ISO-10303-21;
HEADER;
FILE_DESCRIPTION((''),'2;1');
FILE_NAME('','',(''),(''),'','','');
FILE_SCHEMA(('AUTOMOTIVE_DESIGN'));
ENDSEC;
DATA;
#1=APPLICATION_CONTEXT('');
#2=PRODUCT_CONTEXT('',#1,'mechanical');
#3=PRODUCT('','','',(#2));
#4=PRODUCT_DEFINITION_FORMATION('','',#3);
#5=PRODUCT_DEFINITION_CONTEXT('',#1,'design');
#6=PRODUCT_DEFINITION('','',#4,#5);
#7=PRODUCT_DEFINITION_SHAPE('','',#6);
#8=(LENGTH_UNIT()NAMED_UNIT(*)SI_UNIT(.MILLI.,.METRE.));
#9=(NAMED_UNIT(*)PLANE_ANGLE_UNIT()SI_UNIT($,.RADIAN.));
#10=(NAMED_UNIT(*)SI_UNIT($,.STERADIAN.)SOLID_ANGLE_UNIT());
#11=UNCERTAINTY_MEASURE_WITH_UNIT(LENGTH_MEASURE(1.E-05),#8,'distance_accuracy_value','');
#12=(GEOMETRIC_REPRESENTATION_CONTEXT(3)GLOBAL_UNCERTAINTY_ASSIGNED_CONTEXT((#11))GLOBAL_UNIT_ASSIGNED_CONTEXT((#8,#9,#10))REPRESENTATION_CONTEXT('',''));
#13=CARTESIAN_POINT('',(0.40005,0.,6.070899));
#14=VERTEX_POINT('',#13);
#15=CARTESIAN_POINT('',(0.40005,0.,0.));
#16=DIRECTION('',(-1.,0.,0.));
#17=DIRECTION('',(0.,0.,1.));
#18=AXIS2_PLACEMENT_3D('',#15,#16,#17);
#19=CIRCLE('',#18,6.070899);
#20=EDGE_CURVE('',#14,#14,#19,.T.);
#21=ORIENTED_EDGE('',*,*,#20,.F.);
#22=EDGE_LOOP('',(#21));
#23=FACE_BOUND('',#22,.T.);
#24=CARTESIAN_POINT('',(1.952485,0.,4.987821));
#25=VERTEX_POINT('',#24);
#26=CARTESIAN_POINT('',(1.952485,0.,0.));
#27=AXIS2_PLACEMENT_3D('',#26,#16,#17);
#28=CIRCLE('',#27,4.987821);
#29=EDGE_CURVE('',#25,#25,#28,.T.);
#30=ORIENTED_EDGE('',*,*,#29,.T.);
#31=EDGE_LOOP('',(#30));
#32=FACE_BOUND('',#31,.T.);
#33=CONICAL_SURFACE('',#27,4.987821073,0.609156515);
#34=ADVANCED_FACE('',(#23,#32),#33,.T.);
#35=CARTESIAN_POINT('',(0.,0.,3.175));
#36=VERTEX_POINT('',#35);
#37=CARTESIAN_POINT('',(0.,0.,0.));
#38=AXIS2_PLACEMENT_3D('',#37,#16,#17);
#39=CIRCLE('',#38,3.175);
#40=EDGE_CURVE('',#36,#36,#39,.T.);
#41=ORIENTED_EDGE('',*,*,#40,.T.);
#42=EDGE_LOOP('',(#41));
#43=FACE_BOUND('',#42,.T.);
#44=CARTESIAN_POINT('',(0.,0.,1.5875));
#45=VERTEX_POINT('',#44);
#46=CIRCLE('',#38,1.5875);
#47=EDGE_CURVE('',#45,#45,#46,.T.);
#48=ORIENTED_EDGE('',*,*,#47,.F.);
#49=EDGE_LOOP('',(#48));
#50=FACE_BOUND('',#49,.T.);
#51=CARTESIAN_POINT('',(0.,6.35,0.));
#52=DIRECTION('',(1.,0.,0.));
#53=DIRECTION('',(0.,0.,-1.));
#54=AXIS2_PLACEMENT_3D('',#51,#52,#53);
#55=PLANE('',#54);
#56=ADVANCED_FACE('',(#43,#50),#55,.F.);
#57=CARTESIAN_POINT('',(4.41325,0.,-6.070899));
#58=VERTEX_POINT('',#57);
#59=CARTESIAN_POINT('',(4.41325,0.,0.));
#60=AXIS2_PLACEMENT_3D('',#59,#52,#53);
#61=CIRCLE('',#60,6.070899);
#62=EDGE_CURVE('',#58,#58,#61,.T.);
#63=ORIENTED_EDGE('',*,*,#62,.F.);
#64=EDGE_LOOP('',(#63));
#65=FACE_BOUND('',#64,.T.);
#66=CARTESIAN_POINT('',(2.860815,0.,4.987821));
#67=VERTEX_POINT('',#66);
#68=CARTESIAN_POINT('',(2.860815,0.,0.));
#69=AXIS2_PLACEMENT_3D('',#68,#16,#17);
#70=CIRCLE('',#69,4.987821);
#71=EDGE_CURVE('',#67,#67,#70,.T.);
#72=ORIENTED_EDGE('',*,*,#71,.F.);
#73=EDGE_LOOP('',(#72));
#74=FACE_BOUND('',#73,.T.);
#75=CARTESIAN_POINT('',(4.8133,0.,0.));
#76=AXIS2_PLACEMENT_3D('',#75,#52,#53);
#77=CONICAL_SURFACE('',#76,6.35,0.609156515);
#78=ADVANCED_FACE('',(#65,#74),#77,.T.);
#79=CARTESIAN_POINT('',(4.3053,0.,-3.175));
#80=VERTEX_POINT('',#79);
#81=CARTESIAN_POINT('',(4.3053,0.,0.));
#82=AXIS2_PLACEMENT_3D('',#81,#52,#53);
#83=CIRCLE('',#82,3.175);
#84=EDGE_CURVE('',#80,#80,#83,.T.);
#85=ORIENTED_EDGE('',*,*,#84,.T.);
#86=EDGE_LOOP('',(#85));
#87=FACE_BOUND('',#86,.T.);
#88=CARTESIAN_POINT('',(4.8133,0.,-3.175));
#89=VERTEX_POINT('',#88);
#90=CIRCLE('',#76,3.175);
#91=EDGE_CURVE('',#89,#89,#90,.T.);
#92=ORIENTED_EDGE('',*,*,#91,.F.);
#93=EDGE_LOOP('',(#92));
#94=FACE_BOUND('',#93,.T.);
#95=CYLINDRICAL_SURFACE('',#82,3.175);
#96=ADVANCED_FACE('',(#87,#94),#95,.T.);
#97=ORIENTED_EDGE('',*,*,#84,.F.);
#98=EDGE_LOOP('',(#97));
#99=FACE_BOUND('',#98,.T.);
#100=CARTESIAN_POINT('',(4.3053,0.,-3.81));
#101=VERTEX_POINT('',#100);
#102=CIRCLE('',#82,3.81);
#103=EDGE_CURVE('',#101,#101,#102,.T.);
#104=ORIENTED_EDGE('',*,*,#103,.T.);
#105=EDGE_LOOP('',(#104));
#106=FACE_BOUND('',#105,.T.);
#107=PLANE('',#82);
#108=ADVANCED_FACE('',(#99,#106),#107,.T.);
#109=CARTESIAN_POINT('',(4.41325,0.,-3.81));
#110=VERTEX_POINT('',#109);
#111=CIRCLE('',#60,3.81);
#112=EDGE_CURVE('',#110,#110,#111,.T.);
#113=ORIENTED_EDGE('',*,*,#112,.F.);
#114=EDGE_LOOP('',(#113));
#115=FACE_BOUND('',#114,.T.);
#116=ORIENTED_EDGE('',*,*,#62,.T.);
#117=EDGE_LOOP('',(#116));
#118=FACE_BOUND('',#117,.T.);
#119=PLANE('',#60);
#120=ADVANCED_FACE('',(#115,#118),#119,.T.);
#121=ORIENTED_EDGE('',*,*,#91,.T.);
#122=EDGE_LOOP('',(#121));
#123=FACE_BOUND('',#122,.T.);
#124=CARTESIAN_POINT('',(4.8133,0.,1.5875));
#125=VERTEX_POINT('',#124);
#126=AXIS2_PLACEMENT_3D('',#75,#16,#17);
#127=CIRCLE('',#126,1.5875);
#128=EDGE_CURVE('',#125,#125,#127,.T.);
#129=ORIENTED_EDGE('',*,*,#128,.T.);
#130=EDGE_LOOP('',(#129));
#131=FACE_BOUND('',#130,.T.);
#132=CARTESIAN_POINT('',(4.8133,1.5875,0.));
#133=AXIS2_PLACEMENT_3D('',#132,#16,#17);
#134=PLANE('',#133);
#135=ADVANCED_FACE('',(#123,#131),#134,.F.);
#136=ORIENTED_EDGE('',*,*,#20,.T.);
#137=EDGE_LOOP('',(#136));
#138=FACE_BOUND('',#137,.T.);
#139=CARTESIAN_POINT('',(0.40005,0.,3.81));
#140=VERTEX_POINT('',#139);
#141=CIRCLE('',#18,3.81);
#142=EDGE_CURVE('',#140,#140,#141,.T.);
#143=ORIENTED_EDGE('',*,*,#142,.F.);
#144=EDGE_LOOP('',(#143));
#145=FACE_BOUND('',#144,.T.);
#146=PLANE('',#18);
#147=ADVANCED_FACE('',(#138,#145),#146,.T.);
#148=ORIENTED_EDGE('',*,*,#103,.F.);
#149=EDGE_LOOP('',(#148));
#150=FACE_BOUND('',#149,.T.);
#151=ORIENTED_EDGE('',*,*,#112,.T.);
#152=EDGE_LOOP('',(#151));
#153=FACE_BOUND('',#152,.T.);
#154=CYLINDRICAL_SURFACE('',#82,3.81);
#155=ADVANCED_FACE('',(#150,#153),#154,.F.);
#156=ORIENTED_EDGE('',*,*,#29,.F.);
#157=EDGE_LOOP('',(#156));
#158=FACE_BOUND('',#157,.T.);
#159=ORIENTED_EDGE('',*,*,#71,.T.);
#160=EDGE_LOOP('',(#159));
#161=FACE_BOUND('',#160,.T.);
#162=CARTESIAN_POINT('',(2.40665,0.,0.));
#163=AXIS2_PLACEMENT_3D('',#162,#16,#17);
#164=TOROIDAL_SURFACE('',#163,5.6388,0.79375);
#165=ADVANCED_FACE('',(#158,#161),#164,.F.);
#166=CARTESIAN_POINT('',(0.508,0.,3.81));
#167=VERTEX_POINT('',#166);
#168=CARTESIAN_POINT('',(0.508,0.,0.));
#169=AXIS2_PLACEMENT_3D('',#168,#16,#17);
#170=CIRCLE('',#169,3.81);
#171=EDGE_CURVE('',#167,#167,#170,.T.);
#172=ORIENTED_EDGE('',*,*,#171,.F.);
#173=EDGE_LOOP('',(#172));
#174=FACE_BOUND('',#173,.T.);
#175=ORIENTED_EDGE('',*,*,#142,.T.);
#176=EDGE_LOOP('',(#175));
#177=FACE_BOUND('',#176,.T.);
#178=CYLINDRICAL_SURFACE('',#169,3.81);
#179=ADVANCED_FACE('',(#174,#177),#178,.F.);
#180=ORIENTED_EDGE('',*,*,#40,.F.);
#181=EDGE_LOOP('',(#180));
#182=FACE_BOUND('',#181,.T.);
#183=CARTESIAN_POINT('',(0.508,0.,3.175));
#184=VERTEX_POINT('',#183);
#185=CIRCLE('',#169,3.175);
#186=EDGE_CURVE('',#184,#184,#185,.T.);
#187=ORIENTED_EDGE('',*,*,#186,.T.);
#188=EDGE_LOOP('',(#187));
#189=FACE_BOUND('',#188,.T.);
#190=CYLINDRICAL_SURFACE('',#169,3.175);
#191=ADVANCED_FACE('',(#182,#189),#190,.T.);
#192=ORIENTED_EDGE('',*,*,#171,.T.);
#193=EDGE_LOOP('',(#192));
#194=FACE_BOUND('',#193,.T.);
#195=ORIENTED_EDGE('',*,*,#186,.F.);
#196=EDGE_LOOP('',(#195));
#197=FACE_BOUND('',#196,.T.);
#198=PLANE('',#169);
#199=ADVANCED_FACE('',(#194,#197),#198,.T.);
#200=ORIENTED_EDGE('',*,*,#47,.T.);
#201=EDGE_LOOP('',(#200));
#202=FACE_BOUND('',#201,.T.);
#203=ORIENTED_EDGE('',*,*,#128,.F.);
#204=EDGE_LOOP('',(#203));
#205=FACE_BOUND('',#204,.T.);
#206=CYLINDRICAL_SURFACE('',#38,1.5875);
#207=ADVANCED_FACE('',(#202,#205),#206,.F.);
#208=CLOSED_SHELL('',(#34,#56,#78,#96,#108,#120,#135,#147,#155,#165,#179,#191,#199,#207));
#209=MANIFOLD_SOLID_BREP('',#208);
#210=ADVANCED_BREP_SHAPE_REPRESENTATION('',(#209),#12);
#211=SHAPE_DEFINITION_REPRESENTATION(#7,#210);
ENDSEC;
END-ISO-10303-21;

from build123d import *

# Parameters (mm, degrees)
SKETCH4_R          = 3.81
SKETCH4_R_2        = 3.175
CUT_EXTRUDE1_DEPTH = 0.508
CUT_EXTRUDE2_START = -0.508
SKETCH5_R          = 3.81
SKETCH5_R_2        = 3.175
CUT_EXTRUDE2_DEPTH = 0.508
SKETCH7_R          = 6.35
SKETCH7_R_2        = 3.81
CUT_EXTRUDE3_DEPTH = 0.40005
CUT_EXTRUDE4_START = -0.40005
SKETCH8_R          = 6.35
SKETCH8_R_2        = 3.81
CUT_EXTRUDE4_DEPTH = 0.40005


with BuildPart() as part:
    # Sketch1 → Revolve1 (revolve)
    with BuildSketch(Plane.XY, mode=Mode.PRIVATE) as revolve1_sk:
        with BuildLine():
            Line((0, 1.5875), (4.8133, 1.5875))
            Line((4.8133, 1.5875), (4.8133, 6.35))
            Line((4.8133, 6.35), (2.860814617, 4.987821073))
            ThreePointArc((2.860814617, 4.987821073), (2.40665, 4.84505), (1.952485383, 4.987821073))
            Line((1.952485383, 4.987821073), (0, 6.35))
            Line((0, 6.35), (0, 1.5875))
        make_face()
    revolve(revolve1_sk.sketch.rotate(Axis((0, 0, 0), (1, 0, 0)), 90), axis=Axis((0, 0, 0), (1, 0, 0)))

    # Sketch4 → Cut-Extrude1 (cut)
    with BuildSketch(Plane(origin=(4.8133, 0, 0), x_dir=(0, 0, -1), z_dir=(1, 0, 0))):
        Circle(SKETCH4_R)
        Circle(SKETCH4_R_2, mode=Mode.SUBTRACT)
    extrude(amount=-CUT_EXTRUDE1_DEPTH, mode=Mode.SUBTRACT)

    # Sketch5 → Cut-Extrude2 (cut)
    with BuildSketch(Plane.ZY.offset(CUT_EXTRUDE2_START)):
        with Locations(Location((0, 0, 0), (0, 0, 180))):
            Circle(SKETCH5_R)
        with Locations(Location((0, 0, 0), (0, 0, 180))):
            Circle(SKETCH5_R_2, mode=Mode.SUBTRACT)
    extrude(amount=CUT_EXTRUDE2_DEPTH, mode=Mode.SUBTRACT)

    # Sketch7 → Cut-Extrude3 (cut)
    with BuildSketch(Plane(origin=(4.8133, 0, 0), x_dir=(0, 0, -1), z_dir=(1, 0, 0))):
        Circle(SKETCH7_R)
        Circle(SKETCH7_R_2, mode=Mode.SUBTRACT)
    extrude(amount=-CUT_EXTRUDE3_DEPTH, mode=Mode.SUBTRACT)

    # Sketch8 → Cut-Extrude4 (cut)
    with BuildSketch(Plane.ZY.offset(CUT_EXTRUDE4_START)):
        Circle(SKETCH8_R)
        Circle(SKETCH8_R_2, mode=Mode.SUBTRACT)
    extrude(amount=CUT_EXTRUDE4_DEPTH, mode=Mode.SUBTRACT)


solid = part.part
